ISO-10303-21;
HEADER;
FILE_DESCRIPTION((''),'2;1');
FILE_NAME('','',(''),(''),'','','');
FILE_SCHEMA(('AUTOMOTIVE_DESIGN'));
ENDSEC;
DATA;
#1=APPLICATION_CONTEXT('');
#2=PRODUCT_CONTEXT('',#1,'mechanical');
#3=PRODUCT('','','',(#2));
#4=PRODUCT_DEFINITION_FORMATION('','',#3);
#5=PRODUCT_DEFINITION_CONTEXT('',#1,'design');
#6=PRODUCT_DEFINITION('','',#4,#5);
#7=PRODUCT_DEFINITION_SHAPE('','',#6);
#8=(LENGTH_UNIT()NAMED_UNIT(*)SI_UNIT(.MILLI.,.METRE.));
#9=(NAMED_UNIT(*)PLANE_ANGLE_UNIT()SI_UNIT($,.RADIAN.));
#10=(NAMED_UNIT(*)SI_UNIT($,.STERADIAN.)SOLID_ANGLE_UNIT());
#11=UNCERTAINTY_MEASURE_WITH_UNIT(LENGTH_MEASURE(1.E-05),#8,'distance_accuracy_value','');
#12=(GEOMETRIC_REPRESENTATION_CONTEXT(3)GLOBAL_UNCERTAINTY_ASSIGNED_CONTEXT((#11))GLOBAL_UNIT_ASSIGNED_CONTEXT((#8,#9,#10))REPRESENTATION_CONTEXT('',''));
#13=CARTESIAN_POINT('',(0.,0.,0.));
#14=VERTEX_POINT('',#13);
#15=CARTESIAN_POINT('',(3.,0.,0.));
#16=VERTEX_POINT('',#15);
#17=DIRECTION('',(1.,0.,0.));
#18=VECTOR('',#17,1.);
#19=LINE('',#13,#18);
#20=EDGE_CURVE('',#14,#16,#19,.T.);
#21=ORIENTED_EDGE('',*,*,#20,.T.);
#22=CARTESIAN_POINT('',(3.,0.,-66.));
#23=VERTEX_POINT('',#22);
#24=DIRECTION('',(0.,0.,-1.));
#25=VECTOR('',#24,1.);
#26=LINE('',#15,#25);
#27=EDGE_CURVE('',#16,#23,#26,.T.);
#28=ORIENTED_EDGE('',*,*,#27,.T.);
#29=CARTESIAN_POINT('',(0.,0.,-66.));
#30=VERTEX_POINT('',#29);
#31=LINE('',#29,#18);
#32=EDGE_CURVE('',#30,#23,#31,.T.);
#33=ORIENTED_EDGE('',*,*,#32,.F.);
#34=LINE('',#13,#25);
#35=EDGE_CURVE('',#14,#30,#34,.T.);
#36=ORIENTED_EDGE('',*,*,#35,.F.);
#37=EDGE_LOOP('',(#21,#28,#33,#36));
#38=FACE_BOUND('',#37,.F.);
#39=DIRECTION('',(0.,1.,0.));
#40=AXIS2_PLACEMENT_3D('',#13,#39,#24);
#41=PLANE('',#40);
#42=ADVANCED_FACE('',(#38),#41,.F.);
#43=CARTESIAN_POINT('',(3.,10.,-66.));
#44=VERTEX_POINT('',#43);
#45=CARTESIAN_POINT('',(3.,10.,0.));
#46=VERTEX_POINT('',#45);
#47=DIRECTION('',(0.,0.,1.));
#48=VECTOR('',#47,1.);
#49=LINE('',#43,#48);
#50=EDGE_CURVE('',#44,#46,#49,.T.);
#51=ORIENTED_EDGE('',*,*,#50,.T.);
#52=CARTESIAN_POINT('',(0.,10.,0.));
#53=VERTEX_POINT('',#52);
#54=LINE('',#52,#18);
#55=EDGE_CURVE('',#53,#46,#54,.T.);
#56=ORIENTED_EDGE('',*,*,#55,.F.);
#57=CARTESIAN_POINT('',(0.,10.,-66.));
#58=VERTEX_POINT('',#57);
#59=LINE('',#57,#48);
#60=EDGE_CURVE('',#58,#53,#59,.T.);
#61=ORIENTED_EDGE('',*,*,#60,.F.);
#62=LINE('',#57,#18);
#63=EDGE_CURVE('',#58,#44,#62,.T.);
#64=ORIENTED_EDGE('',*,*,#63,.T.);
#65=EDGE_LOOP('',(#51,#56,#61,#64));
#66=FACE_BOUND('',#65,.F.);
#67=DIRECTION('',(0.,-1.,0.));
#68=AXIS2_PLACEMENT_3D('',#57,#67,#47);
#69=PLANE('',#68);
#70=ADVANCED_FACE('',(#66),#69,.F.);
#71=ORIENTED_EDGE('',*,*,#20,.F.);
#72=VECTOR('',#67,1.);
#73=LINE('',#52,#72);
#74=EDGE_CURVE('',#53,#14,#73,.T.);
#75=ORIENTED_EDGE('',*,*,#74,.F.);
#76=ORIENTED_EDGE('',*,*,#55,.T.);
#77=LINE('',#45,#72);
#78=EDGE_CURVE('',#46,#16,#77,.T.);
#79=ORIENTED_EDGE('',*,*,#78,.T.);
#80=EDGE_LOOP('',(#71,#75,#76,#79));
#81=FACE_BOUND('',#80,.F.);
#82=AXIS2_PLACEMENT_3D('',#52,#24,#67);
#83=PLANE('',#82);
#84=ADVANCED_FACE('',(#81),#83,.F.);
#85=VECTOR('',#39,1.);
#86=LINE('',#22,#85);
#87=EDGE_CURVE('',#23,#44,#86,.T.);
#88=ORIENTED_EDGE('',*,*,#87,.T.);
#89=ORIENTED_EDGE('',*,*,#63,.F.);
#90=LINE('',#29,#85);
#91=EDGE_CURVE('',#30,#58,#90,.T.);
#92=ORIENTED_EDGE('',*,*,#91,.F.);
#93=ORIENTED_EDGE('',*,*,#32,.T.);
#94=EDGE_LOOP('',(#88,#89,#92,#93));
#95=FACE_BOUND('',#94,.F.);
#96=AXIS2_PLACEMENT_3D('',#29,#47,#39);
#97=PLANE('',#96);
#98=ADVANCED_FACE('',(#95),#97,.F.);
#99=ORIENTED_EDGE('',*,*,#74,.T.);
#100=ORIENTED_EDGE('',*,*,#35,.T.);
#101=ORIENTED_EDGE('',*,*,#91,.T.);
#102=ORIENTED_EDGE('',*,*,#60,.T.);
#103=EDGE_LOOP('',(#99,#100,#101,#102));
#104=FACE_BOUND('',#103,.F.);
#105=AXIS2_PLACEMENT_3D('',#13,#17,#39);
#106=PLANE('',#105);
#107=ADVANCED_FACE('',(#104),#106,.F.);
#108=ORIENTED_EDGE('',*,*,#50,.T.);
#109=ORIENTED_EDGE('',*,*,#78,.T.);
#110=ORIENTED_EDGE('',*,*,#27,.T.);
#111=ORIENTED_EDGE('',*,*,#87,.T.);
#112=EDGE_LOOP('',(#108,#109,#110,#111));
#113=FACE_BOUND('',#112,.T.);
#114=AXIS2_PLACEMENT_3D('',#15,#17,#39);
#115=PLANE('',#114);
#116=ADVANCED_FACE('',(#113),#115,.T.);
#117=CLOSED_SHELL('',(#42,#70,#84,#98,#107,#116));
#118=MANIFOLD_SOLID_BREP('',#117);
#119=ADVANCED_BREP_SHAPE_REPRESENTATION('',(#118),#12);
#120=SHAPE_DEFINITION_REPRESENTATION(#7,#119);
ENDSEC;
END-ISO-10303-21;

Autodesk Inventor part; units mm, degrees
ref_plane "YZ Plane" through (0, 0, 0) normal (1, 0, 0) x (0, 1, 0)
ref_plane "XZ Plane" through (0, 0, 0) normal (0, 1, 0) x (-1, 0, 0)
ref_plane "XY Plane" through (0, 0, 0) normal (0, 0, 1) x (1, 0, 0)
sketch "Szkic1" plane through (0, 0, 0) normal (1, 0, 0) x (0, 1, 0)
  line L0 (0, 0) -> (0, -66)
  line L1 (0, -66) -> (10, -66)
  line L2 (10, -66) -> (10, 0)
  line L3 (10, 0) -> (0, 0)
  dimension "d0" = 66
  dimension "d1" = 10
  dimension "d2" = 66
extrude "Wyciągnięcie proste1" add sketch "Szkic1" along normal blind 3
properties part number "KTIR"
